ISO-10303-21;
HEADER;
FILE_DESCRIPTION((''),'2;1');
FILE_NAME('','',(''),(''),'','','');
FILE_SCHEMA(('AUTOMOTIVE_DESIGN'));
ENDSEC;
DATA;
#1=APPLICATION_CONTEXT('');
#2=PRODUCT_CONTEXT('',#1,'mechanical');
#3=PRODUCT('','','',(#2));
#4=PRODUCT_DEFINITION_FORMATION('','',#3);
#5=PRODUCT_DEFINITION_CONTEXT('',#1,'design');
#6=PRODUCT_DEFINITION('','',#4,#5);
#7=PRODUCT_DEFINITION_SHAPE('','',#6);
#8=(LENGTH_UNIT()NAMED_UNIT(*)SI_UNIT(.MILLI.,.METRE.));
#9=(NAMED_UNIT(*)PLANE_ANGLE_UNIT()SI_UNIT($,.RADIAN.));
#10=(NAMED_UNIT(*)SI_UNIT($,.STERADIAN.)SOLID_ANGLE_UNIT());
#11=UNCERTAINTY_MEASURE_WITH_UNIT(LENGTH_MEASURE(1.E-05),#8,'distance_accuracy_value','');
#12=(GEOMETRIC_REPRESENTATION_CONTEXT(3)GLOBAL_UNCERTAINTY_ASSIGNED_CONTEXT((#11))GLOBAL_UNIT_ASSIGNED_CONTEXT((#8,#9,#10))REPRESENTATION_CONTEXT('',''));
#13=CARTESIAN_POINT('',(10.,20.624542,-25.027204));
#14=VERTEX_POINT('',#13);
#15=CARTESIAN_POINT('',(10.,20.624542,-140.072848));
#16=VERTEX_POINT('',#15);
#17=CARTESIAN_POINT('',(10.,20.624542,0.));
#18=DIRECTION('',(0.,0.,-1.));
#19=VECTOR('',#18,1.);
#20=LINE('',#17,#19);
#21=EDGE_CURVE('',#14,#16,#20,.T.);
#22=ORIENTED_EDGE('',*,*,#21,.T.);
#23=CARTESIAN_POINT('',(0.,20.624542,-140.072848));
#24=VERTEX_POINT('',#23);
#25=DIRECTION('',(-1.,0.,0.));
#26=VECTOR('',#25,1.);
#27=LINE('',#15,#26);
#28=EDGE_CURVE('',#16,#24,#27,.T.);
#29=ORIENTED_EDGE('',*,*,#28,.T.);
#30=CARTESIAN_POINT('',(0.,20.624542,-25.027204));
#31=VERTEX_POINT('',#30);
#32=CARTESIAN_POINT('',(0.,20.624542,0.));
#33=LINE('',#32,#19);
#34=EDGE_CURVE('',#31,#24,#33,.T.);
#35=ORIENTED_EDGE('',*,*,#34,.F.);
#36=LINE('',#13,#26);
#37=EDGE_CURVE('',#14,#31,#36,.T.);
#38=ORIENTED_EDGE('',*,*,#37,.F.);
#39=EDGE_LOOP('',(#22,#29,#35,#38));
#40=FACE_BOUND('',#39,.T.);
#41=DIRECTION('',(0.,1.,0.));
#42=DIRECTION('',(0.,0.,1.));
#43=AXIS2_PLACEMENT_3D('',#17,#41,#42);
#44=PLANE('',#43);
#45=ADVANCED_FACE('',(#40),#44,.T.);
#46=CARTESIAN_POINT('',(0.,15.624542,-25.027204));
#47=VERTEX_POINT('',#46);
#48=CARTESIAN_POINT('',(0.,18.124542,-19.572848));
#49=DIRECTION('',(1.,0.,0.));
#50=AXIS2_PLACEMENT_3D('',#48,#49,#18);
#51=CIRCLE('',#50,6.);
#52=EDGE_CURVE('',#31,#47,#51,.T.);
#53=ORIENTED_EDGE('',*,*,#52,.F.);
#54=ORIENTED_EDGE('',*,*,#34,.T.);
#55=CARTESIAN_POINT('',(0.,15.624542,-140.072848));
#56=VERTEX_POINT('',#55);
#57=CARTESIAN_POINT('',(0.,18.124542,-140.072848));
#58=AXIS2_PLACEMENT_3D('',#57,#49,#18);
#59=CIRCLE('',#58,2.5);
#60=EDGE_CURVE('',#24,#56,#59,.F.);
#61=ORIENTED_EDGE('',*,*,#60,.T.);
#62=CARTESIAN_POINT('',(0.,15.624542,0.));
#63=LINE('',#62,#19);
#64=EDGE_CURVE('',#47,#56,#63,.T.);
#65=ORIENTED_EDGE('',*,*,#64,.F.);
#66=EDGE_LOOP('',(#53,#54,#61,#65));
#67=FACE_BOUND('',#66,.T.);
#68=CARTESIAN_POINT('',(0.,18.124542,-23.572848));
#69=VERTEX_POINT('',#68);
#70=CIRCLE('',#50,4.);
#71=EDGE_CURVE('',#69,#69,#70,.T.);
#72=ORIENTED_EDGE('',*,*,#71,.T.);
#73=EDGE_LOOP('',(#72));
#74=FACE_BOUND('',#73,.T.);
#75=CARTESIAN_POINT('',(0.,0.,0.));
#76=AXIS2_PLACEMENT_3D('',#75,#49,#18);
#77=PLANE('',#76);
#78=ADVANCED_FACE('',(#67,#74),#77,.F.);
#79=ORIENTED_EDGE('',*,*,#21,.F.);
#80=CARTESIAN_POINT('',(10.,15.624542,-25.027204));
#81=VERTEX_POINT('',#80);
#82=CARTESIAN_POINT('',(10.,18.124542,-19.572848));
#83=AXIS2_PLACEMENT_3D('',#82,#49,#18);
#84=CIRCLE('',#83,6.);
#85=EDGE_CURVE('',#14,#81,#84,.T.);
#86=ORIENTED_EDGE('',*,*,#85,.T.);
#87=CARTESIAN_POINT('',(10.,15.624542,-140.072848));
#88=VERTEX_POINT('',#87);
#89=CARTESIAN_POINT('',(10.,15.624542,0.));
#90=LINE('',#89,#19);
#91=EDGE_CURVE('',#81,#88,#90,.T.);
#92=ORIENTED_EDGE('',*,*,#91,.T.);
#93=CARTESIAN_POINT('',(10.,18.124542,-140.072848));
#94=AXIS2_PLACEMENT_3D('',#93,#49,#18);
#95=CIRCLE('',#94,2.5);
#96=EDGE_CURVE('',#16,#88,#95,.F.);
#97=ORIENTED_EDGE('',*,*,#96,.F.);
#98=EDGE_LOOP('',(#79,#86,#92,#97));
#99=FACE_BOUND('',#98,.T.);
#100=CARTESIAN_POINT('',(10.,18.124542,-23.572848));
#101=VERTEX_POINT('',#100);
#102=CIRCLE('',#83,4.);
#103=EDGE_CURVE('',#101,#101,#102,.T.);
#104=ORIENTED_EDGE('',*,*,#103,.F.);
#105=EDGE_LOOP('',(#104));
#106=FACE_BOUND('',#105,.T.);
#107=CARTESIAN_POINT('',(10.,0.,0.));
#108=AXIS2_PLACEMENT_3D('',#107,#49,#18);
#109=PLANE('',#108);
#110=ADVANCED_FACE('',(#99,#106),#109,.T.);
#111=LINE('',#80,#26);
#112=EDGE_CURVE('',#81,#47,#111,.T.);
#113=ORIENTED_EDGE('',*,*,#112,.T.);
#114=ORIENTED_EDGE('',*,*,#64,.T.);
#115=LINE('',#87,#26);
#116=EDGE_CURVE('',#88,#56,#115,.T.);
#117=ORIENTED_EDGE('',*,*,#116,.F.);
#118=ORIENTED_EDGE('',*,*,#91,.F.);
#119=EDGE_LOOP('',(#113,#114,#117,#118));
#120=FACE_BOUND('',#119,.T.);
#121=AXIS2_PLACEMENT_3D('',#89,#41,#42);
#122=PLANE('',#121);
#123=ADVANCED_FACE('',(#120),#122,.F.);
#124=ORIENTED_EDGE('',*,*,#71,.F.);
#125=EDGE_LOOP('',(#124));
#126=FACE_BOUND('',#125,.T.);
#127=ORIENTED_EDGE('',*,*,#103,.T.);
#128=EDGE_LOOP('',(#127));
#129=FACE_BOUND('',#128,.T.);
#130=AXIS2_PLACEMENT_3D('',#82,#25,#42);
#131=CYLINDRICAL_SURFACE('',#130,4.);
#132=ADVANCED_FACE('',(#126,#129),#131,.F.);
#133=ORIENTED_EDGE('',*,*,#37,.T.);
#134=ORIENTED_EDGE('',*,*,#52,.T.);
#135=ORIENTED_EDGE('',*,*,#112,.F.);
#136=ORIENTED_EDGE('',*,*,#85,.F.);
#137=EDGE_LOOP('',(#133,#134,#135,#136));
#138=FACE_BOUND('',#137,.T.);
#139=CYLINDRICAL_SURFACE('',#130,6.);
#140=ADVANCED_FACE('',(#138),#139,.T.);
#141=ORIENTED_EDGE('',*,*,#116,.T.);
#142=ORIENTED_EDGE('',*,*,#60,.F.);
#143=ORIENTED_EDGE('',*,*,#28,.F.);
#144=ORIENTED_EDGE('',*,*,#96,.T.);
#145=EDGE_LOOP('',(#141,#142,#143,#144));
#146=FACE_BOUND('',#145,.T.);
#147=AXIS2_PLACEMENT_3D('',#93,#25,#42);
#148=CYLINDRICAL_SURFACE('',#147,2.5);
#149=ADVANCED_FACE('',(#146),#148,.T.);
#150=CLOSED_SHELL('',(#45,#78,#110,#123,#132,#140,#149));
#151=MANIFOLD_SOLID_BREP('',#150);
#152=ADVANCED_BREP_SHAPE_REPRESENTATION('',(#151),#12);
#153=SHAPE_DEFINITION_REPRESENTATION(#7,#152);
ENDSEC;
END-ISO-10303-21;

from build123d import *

# Parameters (mm, degrees)
SKETCH1_R           = 4
BOSS_EXTRUDE1_DEPTH = 10


with BuildPart() as part:
    # Sketch1 → Boss-Extrude1 (new body)
    with BuildSketch(Plane(origin=(0, 0, 0), x_dir=(0, 0, -1), z_dir=(1, 0, 0))):
        with BuildLine():
            ThreePointArc((25.027203864, 20.624541707), (13.572847807, 18.124541707), (25.027203864, 15.624541707))
            Line((25.027203864, 15.624541707), (140.072847807, 15.624541707))
            ThreePointArc((140.072847807, 15.624541707), (142.572847807, 18.124541707), (140.072847807, 20.624541707))
            Line((140.072847807, 20.624541707), (25.027203864, 20.624541707))
        make_face()
        with Locations((19.572847807, 18.124541707)):
            Circle(SKETCH1_R, mode=Mode.SUBTRACT)
    extrude(amount=BOSS_EXTRUDE1_DEPTH)


solid = part.part
